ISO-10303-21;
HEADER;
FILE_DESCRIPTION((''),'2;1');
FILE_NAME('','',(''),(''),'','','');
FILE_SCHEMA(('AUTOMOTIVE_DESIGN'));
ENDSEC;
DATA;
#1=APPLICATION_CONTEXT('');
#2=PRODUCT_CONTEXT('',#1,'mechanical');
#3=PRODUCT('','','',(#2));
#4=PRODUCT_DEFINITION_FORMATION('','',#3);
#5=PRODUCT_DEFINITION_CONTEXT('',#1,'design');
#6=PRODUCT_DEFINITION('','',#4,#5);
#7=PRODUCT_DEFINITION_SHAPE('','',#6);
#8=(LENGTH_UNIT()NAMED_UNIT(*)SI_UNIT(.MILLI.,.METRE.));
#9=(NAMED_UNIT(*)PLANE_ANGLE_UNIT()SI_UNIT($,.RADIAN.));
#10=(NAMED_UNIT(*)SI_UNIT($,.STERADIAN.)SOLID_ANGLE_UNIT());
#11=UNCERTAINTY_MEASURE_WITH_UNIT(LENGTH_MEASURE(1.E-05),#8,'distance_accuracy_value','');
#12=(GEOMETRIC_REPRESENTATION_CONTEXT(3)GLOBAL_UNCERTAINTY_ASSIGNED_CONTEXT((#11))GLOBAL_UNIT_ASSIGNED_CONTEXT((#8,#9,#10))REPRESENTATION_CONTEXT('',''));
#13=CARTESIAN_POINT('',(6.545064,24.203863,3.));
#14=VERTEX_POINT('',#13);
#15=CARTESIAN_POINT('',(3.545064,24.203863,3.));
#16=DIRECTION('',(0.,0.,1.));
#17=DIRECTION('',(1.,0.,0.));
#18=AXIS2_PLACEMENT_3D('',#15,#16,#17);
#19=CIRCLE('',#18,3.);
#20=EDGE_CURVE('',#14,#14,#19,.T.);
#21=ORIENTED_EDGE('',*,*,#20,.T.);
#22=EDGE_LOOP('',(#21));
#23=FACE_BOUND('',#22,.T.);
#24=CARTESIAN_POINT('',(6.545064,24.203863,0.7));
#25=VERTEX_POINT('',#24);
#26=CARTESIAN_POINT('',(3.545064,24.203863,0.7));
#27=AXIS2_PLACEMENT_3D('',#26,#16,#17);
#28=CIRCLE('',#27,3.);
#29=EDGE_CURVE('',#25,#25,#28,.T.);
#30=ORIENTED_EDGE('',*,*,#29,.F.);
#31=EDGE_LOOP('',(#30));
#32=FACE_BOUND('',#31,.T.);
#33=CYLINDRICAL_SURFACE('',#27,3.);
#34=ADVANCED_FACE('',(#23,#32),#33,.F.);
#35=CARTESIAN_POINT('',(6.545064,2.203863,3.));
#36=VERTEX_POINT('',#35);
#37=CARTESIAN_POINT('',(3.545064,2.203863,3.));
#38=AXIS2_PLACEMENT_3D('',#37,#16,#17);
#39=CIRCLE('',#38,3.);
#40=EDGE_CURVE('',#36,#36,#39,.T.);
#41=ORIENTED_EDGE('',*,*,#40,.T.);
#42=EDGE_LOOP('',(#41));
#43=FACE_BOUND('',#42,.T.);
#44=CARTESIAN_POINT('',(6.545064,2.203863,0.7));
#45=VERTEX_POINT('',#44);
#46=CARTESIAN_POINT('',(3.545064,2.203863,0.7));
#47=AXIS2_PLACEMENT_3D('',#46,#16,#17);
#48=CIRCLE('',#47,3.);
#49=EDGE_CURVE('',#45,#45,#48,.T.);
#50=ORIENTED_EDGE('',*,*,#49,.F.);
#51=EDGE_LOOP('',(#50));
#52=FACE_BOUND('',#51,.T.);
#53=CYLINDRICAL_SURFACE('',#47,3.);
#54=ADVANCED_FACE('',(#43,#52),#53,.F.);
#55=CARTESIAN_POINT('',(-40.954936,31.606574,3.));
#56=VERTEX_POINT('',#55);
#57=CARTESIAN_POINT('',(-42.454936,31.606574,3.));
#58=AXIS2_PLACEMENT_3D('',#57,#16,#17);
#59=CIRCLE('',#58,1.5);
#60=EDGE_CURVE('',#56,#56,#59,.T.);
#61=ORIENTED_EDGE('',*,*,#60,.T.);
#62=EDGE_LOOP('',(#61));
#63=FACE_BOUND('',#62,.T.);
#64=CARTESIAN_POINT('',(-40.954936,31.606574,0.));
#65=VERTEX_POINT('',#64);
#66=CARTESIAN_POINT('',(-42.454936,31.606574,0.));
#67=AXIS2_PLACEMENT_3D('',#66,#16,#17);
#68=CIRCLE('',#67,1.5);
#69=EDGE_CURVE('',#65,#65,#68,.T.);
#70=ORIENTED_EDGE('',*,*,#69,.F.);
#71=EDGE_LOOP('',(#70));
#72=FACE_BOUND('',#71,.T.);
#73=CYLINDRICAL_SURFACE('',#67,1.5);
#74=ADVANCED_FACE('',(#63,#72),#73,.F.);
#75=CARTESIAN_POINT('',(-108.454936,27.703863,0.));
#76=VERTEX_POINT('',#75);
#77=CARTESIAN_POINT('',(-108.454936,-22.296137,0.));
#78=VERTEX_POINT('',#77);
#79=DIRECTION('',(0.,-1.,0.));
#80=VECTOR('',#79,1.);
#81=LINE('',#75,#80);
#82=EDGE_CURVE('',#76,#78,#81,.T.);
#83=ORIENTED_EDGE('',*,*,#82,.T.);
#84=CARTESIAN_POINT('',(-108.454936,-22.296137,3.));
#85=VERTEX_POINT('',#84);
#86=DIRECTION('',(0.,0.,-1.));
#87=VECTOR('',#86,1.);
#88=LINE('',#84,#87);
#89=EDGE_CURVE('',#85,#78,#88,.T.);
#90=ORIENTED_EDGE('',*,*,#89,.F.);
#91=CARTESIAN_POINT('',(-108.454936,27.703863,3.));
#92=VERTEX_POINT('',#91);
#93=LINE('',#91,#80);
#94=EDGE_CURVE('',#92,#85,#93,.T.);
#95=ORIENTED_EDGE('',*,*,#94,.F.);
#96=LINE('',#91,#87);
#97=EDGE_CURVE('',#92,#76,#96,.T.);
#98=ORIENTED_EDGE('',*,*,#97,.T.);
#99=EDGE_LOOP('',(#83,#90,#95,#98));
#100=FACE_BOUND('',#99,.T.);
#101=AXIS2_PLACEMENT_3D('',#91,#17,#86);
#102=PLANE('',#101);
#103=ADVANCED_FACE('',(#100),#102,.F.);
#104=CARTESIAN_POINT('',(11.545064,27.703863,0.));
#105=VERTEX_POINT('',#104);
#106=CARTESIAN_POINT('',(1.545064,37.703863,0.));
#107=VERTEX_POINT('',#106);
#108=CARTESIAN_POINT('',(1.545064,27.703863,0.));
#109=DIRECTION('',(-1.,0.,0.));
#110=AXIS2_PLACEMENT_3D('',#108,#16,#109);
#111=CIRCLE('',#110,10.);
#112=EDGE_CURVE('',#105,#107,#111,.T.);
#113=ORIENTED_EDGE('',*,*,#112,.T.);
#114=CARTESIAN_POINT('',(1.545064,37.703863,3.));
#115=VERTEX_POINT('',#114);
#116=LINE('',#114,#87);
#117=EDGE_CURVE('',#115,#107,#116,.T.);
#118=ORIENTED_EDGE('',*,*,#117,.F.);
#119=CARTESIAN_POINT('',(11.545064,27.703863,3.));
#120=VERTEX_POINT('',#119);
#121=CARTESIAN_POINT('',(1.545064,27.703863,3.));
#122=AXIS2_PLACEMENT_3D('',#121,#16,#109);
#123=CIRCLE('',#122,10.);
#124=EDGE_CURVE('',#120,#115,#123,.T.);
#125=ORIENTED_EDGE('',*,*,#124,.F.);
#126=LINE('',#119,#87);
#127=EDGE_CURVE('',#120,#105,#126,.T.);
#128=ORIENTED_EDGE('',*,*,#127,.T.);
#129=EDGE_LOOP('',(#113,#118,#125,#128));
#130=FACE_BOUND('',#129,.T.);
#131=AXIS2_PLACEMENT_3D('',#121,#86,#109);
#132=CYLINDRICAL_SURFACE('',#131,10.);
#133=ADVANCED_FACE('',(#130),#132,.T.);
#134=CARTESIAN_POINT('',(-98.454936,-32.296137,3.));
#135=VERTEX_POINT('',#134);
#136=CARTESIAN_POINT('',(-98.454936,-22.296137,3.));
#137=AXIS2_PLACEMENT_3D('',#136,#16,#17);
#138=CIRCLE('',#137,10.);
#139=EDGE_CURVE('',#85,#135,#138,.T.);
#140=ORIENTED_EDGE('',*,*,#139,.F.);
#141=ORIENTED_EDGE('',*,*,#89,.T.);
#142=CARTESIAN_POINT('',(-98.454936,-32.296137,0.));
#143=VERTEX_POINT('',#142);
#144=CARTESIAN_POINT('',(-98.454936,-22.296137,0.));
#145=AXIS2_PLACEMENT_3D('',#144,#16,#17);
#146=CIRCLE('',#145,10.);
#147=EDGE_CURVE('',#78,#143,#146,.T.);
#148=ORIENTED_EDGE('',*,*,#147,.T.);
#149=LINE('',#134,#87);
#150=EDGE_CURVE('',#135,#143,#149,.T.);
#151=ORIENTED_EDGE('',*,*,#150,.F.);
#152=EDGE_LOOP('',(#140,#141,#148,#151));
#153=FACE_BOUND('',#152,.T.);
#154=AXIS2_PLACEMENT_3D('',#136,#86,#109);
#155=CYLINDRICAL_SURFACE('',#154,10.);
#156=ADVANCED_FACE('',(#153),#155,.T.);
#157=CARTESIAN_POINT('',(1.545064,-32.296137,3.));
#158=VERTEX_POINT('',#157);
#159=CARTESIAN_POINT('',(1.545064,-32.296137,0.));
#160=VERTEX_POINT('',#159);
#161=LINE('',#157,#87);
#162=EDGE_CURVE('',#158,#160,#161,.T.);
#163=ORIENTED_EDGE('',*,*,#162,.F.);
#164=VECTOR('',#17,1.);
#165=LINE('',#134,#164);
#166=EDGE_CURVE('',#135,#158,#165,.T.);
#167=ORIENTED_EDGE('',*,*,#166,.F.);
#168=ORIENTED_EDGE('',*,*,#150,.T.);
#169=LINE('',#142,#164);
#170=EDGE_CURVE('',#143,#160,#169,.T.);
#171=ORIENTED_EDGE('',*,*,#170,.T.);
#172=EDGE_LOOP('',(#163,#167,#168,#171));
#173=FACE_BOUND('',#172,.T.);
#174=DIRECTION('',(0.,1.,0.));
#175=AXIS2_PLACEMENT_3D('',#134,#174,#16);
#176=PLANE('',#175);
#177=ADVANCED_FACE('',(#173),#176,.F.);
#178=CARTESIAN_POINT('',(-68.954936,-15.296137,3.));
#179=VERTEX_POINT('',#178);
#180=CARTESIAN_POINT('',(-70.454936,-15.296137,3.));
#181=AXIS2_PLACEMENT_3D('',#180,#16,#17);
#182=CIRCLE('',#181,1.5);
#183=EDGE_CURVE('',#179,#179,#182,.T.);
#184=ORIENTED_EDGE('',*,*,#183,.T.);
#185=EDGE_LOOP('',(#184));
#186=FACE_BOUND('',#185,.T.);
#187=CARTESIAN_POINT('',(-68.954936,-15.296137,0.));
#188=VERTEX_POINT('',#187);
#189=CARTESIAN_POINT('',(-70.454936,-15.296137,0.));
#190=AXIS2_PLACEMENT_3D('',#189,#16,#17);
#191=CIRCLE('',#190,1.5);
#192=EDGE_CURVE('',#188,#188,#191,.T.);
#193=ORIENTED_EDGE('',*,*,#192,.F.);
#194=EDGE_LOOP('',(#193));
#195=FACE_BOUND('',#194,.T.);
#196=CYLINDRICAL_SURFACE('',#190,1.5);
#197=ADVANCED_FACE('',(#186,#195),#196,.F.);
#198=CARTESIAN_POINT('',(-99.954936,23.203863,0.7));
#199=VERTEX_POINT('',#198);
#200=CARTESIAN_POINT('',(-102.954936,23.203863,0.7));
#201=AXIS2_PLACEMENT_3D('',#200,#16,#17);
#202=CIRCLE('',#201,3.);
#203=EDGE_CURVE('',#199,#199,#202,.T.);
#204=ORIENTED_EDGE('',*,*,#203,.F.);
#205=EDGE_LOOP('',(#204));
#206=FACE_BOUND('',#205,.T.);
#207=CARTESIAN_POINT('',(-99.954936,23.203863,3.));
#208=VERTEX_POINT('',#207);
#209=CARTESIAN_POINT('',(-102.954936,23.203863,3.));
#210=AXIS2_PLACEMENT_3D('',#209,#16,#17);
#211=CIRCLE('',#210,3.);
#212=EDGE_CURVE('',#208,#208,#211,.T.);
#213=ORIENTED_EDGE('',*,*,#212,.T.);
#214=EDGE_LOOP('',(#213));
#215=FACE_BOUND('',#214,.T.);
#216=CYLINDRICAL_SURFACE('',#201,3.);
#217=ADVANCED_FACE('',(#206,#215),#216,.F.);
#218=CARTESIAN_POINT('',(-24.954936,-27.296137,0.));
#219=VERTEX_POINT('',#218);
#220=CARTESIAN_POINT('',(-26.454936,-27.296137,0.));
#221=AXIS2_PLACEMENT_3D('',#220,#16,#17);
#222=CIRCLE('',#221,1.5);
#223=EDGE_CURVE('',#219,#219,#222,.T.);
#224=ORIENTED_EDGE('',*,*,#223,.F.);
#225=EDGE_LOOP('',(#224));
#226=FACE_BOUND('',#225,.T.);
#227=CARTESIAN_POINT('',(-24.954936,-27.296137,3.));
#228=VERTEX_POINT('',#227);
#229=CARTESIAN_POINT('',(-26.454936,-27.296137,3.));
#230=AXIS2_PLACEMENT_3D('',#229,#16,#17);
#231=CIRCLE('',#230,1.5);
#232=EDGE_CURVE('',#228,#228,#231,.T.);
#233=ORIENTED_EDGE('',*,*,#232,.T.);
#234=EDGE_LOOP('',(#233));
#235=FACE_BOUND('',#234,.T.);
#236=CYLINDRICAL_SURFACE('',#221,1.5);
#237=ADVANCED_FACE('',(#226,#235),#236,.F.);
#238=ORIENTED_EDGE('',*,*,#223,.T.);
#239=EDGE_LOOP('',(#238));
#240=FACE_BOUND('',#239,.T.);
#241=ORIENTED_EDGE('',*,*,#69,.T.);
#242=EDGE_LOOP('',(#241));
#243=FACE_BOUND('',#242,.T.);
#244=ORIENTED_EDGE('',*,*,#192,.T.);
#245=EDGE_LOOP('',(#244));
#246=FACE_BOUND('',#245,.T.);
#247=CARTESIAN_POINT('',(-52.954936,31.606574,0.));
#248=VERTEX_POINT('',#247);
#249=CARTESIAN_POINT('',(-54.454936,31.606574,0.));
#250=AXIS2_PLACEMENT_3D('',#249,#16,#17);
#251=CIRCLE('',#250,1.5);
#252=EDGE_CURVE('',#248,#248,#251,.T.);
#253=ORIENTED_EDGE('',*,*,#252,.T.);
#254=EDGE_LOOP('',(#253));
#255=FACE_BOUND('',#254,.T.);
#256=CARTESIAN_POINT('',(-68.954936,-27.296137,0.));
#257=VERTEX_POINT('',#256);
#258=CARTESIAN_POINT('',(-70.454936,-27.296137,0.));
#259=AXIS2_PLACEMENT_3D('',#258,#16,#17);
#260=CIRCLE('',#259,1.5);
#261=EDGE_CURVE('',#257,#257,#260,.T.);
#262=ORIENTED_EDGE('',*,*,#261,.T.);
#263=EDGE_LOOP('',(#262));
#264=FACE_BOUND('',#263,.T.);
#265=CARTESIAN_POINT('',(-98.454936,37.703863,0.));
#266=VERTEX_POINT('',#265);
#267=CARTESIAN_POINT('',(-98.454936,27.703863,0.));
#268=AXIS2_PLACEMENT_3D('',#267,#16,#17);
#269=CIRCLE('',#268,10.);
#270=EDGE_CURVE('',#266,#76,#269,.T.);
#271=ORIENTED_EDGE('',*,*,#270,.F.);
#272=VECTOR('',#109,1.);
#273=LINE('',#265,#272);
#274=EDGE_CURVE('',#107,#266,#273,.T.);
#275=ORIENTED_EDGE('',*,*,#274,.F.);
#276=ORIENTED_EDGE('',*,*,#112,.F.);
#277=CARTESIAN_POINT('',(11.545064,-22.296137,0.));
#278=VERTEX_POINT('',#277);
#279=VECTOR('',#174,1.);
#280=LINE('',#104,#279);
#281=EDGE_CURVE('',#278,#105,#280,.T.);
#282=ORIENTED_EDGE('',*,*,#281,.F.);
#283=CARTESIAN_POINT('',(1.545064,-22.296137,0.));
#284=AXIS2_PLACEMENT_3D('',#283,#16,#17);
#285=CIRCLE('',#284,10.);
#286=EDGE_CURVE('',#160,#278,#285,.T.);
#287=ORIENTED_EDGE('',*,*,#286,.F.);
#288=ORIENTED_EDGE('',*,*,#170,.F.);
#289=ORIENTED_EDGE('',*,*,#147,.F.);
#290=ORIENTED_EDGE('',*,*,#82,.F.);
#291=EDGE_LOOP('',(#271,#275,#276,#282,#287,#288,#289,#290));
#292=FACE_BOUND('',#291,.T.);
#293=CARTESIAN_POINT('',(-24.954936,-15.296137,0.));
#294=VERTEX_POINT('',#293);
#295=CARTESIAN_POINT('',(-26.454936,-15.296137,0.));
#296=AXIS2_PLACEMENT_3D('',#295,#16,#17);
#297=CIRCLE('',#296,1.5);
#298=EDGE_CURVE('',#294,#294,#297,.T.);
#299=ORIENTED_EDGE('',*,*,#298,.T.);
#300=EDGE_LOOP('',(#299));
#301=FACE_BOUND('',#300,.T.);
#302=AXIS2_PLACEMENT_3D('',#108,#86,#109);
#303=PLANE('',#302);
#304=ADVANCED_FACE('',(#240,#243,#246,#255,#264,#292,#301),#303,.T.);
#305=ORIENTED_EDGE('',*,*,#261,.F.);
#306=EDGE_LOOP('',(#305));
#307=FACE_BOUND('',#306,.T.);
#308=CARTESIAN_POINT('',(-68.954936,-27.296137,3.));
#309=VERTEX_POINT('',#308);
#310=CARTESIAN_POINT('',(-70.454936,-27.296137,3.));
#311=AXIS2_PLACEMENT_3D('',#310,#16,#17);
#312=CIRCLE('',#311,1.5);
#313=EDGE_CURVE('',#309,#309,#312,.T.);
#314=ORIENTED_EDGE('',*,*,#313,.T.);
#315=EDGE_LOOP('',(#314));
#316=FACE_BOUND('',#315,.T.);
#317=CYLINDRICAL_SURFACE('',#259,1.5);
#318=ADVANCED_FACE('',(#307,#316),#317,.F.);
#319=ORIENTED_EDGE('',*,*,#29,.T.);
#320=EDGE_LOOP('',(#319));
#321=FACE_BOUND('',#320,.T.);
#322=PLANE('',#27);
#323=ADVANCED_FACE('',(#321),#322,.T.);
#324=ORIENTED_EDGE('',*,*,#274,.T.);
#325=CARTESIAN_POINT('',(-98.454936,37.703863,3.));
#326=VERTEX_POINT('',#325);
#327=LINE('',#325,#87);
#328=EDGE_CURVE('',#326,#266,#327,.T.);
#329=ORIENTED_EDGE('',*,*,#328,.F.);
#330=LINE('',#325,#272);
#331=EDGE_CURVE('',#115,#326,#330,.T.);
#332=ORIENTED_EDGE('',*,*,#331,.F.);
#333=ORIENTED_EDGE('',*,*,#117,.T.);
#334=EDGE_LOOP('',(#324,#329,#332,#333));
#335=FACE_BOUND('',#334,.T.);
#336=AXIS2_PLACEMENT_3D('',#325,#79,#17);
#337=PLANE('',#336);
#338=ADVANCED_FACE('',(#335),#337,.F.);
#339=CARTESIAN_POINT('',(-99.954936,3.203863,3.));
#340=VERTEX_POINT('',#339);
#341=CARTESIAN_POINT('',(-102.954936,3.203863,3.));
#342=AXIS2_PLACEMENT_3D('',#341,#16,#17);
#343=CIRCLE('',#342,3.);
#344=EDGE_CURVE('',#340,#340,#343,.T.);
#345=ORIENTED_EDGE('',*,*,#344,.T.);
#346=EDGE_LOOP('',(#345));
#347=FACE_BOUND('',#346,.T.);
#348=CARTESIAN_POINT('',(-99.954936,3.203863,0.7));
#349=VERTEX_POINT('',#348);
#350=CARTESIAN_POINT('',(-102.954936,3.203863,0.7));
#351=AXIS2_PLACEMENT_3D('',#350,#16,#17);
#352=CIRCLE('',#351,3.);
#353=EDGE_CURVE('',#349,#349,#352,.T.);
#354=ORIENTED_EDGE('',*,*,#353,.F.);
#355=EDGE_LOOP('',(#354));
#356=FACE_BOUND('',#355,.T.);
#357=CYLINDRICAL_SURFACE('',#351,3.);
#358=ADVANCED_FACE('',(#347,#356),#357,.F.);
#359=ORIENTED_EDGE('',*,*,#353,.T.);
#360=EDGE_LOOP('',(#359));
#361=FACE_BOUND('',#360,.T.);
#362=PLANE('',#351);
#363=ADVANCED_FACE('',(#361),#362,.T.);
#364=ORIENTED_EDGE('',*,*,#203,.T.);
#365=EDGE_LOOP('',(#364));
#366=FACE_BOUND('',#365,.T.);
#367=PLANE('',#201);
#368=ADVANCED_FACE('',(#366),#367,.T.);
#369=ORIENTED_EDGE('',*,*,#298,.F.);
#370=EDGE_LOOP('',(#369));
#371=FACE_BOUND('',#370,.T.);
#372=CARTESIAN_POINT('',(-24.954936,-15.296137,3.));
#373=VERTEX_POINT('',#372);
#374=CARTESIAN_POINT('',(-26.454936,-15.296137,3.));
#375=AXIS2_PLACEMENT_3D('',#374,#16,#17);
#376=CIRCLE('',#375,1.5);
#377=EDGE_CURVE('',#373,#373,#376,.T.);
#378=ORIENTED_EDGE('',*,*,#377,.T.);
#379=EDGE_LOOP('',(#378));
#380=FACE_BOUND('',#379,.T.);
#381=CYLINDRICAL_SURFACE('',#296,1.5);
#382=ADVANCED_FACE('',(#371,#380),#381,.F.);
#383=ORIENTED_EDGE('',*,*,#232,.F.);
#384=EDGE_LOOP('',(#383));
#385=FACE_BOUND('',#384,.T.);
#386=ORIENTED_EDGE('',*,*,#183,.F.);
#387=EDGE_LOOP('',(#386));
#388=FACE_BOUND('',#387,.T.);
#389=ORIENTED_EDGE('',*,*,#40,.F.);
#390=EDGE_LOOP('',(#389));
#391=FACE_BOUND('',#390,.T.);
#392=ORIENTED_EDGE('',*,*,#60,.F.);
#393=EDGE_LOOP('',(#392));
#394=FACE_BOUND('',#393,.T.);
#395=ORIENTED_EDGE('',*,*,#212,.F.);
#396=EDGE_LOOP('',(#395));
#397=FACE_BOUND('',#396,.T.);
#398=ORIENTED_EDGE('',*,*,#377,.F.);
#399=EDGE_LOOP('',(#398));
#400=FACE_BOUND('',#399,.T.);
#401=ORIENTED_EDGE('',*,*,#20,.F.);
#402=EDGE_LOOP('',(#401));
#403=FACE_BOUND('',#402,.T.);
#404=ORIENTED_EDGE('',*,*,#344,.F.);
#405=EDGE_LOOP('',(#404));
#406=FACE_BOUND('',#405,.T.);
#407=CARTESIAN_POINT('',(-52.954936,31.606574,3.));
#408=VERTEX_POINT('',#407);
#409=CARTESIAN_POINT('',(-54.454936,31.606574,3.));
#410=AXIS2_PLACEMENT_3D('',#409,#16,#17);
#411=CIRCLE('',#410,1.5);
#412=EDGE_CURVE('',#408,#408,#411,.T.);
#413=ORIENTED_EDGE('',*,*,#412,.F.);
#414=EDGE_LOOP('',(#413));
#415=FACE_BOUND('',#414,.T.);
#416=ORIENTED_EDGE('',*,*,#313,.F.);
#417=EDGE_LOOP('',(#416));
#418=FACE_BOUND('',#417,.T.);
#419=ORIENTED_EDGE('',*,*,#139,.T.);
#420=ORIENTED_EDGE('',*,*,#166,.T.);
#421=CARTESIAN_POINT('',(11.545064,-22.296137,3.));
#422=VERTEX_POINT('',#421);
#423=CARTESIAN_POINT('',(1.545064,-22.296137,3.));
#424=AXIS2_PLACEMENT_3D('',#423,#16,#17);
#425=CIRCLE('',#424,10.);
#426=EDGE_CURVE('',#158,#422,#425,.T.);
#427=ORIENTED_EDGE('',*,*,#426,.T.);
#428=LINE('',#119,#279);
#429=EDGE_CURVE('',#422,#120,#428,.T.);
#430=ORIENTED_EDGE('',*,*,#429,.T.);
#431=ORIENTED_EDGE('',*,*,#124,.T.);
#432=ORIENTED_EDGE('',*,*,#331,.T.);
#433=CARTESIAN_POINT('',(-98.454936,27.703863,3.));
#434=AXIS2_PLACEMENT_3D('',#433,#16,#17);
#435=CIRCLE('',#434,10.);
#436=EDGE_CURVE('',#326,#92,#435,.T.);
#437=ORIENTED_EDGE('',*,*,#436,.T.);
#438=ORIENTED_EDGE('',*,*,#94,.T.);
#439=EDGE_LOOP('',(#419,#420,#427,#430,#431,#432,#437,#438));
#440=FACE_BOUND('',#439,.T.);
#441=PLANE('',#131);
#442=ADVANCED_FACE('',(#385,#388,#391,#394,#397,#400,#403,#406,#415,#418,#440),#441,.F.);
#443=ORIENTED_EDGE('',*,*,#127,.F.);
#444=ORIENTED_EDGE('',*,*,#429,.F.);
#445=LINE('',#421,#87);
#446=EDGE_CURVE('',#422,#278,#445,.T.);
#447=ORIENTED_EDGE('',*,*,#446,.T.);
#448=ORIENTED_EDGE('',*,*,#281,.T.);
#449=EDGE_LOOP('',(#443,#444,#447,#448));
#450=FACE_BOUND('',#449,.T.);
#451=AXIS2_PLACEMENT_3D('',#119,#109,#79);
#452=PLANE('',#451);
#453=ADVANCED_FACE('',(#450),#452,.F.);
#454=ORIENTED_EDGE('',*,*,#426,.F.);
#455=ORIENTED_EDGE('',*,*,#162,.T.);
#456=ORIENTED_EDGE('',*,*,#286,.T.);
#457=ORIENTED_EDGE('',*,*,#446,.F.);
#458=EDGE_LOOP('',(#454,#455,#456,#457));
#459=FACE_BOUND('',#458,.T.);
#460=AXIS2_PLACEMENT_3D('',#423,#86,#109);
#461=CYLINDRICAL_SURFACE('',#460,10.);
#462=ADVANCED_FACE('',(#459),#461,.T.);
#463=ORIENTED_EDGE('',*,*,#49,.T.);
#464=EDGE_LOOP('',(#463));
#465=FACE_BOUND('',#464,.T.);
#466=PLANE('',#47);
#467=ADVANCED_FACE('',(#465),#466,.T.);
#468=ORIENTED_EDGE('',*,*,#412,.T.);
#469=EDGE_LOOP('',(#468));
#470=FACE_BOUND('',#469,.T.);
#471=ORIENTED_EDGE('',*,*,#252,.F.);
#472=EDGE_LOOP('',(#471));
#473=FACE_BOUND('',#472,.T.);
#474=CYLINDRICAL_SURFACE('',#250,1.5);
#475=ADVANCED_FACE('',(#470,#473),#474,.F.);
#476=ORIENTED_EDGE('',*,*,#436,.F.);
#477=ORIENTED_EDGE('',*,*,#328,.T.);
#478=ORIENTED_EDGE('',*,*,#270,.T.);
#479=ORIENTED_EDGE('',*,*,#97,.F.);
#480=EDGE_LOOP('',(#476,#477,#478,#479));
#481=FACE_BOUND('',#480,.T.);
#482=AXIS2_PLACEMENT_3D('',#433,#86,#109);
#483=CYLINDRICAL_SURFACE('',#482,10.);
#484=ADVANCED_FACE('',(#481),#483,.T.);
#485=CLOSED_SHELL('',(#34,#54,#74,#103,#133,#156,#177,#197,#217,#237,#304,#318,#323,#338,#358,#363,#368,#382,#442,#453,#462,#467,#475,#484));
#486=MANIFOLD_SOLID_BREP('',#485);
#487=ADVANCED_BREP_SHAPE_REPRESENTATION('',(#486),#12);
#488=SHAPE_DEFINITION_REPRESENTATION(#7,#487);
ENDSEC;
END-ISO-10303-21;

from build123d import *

# Parameters (mm, degrees)
BOSS_EXTRUDE1_DEPTH = 3
SKETCH2_R           = 1.5
CUT_EXTRUDE1_DEPTH  = 115.861021763
SKETCH3_R           = 3
CUT_EXTRUDE2_DEPTH  = 2.3


with BuildPart() as part:
    # Sketch1 → Boss-Extrude1 (new body)
    with BuildSketch(Plane.XY):
        with BuildLine():
            Line((-98.454935622, 37.703862661), (1.545064378, 37.703862661))
            ThreePointArc((1.545064378, 37.703862661), (8.61613219, 34.774930473), (11.545064378, 27.703862661))
            Line((11.545064378, 27.703862661), (11.545064378, -22.296137339))
            ThreePointArc((11.545064378, -22.296137339), (8.61613219, -29.367205151), (1.545064378, -32.296137339))
            Line((1.545064378, -32.296137339), (-98.454935622, -32.296137339))
            ThreePointArc((-98.454935622, -32.296137339), (-105.526003434, -29.367205151), (-108.454935622, -22.296137339))
            Line((-108.454935622, -22.296137339), (-108.454935622, 27.703862661))
            ThreePointArc((-108.454935622, 27.703862661), (-105.526003434, 34.774930473), (-98.454935622, 37.703862661))
        make_face()
    extrude(amount=BOSS_EXTRUDE1_DEPTH)

    # Sketch2 → Cut-Extrude1 (cut, through all)
    with BuildSketch(Plane.XY.offset(3)):
        with Locations((-54.454935622, 31.60657407)):
            Circle(SKETCH2_R)
        with Locations((-42.454935622, 31.60657407)):
            Circle(SKETCH2_R)
        with Locations((-70.454935622, -15.296137339)):
            Circle(SKETCH2_R)
        with Locations((-70.454935622, -27.296137339)):
            Circle(SKETCH2_R)
        with Locations((-26.454935622, -15.296137339)):
            Circle(SKETCH2_R)
        with Locations((-26.454935622, -27.296137339)):
            Circle(SKETCH2_R)
    extrude(amount=-CUT_EXTRUDE1_DEPTH, mode=Mode.SUBTRACT)

    # Sketch3 → Cut-Extrude2 (cut)
    with BuildSketch(Plane.XY.offset(3)):
        with Locations((-102.954935622, 23.203862661)):
            Circle(SKETCH3_R)
        with Locations((-102.954935622, 3.203862661)):
            Circle(SKETCH3_R)
        with Locations((3.545064378, 24.203862661)):
            Circle(SKETCH3_R)
        with Locations((3.545064378, 2.203862661)):
            Circle(SKETCH3_R)
    extrude(amount=-CUT_EXTRUDE2_DEPTH, mode=Mode.SUBTRACT)


solid = part.part
